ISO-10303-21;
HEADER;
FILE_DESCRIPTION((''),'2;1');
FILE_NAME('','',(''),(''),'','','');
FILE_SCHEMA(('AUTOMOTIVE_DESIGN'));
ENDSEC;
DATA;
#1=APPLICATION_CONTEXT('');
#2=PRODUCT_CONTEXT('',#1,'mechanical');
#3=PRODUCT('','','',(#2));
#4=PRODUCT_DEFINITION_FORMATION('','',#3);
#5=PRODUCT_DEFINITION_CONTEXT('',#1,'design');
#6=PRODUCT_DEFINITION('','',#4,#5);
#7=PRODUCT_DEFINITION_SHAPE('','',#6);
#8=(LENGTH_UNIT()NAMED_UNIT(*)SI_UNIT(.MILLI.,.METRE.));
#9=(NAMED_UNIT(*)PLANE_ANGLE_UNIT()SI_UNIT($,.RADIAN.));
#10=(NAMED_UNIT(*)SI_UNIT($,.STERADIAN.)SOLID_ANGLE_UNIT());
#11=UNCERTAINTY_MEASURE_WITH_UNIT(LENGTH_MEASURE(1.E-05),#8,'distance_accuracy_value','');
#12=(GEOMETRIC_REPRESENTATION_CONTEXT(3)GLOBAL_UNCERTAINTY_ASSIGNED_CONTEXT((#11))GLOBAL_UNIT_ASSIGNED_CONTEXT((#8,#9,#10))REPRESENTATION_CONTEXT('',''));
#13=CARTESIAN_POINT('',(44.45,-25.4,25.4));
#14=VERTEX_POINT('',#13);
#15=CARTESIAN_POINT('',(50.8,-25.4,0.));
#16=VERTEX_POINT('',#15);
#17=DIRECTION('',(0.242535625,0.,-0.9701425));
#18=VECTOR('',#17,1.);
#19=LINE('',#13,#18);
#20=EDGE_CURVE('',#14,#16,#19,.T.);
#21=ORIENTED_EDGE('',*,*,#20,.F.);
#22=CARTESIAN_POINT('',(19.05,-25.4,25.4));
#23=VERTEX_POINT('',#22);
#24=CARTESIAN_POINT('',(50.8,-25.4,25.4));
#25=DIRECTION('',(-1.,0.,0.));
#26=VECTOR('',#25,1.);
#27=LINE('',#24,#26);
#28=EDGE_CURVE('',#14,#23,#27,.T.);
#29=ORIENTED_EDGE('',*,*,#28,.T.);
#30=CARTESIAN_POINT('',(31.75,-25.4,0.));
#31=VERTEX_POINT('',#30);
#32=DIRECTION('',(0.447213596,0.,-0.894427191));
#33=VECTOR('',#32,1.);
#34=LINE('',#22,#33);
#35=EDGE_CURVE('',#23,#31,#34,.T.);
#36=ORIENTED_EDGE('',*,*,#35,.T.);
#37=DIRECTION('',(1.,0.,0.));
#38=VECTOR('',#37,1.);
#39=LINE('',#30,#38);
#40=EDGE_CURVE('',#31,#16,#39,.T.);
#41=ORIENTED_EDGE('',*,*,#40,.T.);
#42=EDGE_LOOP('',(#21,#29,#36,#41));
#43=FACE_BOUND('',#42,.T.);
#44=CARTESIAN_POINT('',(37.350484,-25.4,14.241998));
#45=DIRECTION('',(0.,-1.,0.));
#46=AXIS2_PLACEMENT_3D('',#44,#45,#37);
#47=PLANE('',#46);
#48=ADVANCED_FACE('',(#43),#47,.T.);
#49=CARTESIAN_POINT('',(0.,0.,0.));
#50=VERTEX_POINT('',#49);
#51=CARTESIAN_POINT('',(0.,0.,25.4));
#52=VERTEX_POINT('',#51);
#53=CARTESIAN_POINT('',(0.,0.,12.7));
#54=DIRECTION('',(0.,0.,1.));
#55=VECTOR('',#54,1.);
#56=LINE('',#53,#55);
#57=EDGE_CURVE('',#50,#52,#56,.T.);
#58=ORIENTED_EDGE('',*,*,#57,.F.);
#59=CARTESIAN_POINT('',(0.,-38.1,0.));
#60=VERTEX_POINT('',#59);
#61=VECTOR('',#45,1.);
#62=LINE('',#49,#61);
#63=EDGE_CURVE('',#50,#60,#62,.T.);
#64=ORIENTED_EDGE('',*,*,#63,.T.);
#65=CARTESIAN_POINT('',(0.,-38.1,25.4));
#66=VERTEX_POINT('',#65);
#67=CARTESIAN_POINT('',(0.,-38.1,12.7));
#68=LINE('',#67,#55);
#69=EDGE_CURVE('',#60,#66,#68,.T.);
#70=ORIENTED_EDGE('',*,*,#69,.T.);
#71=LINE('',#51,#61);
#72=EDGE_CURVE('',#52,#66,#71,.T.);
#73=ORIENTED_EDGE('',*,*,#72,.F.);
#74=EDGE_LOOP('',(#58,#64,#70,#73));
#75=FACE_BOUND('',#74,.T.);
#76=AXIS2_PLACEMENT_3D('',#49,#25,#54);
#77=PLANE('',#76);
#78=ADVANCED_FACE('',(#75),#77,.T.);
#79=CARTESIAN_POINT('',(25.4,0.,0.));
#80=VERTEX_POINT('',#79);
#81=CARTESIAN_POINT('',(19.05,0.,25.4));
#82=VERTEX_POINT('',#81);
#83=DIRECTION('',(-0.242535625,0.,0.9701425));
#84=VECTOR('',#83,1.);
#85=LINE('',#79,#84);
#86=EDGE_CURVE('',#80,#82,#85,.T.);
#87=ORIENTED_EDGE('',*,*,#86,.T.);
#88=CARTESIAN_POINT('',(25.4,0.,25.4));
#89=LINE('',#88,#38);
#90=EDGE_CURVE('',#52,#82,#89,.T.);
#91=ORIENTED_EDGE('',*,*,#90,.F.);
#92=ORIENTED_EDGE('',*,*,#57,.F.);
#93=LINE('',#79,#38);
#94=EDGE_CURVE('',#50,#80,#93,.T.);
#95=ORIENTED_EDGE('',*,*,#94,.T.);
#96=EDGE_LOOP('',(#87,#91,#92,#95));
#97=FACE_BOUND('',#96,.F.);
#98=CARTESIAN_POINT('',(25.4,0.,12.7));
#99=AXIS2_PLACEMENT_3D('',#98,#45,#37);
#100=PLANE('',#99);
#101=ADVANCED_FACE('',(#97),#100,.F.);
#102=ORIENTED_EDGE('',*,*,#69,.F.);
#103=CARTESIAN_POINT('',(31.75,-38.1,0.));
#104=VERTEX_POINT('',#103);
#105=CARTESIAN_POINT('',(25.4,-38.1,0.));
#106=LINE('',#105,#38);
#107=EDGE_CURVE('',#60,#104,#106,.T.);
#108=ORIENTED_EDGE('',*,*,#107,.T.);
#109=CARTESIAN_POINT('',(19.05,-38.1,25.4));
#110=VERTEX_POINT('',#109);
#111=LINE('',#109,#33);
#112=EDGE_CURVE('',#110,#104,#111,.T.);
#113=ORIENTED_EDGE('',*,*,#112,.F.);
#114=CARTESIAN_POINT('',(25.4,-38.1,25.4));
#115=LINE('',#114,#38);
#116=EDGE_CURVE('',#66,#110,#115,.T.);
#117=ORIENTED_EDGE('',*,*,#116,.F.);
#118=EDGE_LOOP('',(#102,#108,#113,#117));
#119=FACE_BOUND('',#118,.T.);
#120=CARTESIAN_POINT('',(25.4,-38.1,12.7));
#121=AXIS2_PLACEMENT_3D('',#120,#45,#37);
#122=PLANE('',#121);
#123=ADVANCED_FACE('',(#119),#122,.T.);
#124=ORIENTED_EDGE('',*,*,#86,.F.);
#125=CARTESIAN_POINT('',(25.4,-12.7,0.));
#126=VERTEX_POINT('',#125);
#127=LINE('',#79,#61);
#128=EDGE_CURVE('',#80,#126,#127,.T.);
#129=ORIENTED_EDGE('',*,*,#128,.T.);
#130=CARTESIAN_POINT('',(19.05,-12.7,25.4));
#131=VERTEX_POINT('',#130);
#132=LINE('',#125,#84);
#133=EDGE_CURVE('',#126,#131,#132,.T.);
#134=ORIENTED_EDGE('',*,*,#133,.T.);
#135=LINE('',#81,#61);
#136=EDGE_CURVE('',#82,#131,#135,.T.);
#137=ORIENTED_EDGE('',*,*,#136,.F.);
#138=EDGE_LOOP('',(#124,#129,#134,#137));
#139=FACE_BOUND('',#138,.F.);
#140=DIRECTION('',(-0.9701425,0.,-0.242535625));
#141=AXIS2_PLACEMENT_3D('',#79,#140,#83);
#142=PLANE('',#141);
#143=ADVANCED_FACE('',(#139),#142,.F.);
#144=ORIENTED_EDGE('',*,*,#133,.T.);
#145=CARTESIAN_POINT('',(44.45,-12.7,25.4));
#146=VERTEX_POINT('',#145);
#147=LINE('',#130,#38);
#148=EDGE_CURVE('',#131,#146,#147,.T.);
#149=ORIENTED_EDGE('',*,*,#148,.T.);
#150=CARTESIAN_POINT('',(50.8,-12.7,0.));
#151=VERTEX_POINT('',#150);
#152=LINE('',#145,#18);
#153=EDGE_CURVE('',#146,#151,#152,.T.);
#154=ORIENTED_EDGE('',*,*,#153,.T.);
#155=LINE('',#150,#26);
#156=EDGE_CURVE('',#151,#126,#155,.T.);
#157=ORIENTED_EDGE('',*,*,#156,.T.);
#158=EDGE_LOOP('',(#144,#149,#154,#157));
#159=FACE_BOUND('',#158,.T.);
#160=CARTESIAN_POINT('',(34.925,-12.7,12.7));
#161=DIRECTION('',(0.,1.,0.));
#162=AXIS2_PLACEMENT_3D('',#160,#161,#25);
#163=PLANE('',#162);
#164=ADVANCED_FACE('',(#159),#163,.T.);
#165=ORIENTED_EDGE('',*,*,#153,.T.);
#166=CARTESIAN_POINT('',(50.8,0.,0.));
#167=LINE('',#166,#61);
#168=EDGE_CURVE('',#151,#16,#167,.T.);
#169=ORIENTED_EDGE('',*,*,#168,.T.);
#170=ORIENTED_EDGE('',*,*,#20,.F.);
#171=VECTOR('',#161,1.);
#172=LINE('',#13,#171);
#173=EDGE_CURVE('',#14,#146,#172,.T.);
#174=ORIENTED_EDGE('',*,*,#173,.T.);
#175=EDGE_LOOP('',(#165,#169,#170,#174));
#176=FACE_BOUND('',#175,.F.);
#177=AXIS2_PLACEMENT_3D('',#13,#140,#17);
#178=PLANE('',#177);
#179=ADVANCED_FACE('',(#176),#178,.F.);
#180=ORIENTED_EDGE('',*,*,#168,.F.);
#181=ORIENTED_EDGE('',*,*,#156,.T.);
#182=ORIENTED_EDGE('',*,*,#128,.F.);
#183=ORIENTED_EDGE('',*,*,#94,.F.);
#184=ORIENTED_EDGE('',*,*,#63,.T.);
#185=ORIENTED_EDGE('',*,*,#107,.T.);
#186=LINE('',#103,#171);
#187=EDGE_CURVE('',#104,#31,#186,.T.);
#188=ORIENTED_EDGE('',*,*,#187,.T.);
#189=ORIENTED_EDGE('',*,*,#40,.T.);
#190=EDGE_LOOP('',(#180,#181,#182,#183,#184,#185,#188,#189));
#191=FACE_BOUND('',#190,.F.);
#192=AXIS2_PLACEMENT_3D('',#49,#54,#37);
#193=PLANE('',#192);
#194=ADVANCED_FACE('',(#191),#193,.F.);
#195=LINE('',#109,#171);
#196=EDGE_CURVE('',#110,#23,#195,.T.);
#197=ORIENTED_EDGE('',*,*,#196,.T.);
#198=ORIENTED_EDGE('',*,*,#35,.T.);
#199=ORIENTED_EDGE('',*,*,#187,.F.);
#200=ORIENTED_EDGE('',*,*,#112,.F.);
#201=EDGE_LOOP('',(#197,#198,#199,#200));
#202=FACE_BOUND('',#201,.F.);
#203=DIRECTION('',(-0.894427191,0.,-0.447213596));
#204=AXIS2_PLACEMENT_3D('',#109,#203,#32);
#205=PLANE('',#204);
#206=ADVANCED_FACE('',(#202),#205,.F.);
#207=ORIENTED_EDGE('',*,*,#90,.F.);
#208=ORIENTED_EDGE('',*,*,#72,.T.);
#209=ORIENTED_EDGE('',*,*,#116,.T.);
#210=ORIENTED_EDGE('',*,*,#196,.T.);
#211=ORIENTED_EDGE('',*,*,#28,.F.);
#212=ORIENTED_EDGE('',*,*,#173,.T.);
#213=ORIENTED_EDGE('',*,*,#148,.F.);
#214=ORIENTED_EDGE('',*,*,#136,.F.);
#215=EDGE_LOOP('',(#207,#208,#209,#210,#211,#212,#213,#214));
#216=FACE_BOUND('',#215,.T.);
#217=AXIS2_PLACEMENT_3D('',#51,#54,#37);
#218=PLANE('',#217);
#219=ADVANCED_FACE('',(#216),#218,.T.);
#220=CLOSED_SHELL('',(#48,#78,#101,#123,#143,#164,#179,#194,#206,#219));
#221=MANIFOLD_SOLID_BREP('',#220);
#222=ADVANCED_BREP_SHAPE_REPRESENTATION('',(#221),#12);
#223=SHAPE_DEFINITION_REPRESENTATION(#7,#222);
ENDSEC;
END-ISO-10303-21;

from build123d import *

# Parameters (mm, degrees)
F0_W     = 50.8
F0_H     = 25.4
F1_DEPTH = 38.1
F3_DEPTH = 12.7
F5_DEPTH = 25.4
F7_DEPTH = 12.7


with BuildPart() as f1:
    # F0 (on Front) → F1 (new body)
    with BuildSketch(Plane.XZ):
        with Locations((25.4, 12.7)):
            Rectangle(F0_W, F0_H)
    extrude(amount=F1_DEPTH)

    # F2 (on face) → F3 (cut)
    with BuildSketch(Plane.XZ.offset(38.1)):
        Polygon((19.05, 25.4), (31.75, 0), (50.8, 0), (50.8, 25.4), align=None)
    extrude(amount=-F3_DEPTH, mode=Mode.SUBTRACT)

    # F4 (on face) → F5 (cut)
    with BuildSketch(Plane.XZ.offset(25.4)):
        Polygon((50.8, 25.4), (44.45, 25.4), (50.8, 0), align=None)
    extrude(amount=-F5_DEPTH, mode=Mode.SUBTRACT)

    # F6 (on face) → F7 (cut)
    with BuildSketch(Plane(origin=(0, 0, 0), x_dir=(-1, 0, 0), z_dir=(0, 1, 0))):
        Polygon((-50.8, 0), (-25.4, 0), (-19.05, 25.4), (-44.45, 25.4), align=None)
    extrude(amount=-F7_DEPTH, mode=Mode.SUBTRACT)


solid = f1.part
